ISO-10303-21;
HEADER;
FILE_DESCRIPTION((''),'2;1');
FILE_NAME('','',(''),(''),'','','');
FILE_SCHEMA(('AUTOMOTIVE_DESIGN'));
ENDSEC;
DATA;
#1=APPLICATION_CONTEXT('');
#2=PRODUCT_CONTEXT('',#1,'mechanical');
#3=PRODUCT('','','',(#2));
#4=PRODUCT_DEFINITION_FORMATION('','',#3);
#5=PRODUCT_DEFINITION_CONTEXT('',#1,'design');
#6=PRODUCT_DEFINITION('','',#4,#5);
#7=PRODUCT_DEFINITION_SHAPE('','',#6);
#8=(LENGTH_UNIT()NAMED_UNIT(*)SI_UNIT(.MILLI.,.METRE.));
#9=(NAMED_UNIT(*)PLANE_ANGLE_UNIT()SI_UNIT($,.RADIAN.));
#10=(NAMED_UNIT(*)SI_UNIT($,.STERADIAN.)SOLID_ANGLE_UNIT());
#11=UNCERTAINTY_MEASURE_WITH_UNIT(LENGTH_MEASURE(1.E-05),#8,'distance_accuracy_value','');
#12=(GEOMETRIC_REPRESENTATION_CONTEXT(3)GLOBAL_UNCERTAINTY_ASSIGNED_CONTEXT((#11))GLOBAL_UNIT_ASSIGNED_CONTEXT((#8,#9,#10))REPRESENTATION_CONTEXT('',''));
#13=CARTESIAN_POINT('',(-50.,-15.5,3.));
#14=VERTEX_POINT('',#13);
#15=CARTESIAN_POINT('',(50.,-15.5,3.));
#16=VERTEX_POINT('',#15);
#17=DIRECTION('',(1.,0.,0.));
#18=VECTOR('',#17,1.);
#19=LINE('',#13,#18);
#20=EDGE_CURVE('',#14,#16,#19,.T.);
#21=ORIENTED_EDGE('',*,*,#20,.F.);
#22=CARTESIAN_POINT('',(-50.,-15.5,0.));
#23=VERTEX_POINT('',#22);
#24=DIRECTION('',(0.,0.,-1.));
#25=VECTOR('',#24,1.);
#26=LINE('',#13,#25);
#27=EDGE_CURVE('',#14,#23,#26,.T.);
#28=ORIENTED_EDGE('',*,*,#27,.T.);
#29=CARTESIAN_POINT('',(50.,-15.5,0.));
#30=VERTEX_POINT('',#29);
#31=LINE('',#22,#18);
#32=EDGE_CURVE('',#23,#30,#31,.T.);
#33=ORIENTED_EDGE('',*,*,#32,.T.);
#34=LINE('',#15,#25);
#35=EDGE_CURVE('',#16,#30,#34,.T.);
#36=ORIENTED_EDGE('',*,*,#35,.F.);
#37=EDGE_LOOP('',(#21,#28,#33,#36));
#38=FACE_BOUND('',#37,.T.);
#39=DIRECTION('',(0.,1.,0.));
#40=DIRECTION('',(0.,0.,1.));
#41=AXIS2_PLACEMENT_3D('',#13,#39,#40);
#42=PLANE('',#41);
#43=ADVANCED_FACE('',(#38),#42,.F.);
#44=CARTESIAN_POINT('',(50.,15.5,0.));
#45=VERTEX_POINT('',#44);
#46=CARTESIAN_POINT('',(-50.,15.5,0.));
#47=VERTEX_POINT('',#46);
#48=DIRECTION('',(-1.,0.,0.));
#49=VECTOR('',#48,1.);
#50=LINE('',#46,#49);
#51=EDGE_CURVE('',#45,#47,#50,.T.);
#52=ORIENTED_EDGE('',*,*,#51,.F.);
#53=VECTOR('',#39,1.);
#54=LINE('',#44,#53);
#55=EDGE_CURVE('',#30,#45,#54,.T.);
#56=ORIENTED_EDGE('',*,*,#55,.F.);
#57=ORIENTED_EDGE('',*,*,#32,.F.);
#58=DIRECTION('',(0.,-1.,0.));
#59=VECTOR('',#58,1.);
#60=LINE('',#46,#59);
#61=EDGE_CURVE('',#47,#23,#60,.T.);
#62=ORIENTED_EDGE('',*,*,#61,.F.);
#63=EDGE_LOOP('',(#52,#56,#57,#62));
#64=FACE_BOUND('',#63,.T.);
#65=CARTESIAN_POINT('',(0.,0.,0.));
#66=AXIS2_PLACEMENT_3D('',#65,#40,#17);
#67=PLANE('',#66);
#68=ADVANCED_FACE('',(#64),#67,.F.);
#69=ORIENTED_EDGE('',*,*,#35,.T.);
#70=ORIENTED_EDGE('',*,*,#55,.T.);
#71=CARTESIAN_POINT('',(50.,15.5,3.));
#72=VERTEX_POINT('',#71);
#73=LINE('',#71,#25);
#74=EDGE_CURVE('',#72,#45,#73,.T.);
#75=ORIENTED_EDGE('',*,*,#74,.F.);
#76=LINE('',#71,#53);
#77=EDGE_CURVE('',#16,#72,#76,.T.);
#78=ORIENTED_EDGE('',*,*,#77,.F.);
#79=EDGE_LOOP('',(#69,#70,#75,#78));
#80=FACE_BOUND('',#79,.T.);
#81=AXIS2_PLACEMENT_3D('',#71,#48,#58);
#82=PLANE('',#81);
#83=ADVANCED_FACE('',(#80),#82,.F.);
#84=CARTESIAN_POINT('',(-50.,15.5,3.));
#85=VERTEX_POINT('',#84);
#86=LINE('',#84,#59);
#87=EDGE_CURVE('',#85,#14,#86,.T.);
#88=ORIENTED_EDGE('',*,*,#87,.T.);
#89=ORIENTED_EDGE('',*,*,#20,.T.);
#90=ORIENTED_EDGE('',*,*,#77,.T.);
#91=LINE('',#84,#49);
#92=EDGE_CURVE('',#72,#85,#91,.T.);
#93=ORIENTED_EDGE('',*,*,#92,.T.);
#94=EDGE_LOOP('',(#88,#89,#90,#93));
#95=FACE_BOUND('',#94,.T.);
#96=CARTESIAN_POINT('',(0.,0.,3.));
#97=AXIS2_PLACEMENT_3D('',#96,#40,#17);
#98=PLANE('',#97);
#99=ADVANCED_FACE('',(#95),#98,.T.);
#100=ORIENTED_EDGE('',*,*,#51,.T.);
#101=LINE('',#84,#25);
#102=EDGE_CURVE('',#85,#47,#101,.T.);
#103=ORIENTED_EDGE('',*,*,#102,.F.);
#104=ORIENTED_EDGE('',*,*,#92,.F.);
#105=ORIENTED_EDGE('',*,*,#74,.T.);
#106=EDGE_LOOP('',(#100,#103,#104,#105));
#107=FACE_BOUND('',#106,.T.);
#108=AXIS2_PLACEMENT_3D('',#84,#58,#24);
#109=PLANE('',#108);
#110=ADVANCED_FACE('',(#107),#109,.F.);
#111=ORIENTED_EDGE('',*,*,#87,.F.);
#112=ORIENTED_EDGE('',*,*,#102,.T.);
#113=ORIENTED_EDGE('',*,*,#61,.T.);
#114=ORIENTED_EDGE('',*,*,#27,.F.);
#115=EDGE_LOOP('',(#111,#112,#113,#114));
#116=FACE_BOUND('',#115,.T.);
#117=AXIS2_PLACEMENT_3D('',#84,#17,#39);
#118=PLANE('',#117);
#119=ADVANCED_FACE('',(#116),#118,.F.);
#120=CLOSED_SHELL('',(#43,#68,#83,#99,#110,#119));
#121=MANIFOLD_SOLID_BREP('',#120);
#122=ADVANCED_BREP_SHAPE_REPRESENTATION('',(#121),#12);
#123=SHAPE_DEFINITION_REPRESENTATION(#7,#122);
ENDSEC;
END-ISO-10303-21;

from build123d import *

# Parameters (mm, degrees)
ESQUISSE1_W        = 100
ESQUISSE1_H        = 31
BOSS_EXTRU_1_DEPTH = 3


with BuildPart() as part:
    # Esquisse1 → Boss.-Extru.1 (new body)
    with BuildSketch(Plane.XY):
        Rectangle(ESQUISSE1_W, ESQUISSE1_H)
    extrude(amount=BOSS_EXTRU_1_DEPTH)


solid = part.part
